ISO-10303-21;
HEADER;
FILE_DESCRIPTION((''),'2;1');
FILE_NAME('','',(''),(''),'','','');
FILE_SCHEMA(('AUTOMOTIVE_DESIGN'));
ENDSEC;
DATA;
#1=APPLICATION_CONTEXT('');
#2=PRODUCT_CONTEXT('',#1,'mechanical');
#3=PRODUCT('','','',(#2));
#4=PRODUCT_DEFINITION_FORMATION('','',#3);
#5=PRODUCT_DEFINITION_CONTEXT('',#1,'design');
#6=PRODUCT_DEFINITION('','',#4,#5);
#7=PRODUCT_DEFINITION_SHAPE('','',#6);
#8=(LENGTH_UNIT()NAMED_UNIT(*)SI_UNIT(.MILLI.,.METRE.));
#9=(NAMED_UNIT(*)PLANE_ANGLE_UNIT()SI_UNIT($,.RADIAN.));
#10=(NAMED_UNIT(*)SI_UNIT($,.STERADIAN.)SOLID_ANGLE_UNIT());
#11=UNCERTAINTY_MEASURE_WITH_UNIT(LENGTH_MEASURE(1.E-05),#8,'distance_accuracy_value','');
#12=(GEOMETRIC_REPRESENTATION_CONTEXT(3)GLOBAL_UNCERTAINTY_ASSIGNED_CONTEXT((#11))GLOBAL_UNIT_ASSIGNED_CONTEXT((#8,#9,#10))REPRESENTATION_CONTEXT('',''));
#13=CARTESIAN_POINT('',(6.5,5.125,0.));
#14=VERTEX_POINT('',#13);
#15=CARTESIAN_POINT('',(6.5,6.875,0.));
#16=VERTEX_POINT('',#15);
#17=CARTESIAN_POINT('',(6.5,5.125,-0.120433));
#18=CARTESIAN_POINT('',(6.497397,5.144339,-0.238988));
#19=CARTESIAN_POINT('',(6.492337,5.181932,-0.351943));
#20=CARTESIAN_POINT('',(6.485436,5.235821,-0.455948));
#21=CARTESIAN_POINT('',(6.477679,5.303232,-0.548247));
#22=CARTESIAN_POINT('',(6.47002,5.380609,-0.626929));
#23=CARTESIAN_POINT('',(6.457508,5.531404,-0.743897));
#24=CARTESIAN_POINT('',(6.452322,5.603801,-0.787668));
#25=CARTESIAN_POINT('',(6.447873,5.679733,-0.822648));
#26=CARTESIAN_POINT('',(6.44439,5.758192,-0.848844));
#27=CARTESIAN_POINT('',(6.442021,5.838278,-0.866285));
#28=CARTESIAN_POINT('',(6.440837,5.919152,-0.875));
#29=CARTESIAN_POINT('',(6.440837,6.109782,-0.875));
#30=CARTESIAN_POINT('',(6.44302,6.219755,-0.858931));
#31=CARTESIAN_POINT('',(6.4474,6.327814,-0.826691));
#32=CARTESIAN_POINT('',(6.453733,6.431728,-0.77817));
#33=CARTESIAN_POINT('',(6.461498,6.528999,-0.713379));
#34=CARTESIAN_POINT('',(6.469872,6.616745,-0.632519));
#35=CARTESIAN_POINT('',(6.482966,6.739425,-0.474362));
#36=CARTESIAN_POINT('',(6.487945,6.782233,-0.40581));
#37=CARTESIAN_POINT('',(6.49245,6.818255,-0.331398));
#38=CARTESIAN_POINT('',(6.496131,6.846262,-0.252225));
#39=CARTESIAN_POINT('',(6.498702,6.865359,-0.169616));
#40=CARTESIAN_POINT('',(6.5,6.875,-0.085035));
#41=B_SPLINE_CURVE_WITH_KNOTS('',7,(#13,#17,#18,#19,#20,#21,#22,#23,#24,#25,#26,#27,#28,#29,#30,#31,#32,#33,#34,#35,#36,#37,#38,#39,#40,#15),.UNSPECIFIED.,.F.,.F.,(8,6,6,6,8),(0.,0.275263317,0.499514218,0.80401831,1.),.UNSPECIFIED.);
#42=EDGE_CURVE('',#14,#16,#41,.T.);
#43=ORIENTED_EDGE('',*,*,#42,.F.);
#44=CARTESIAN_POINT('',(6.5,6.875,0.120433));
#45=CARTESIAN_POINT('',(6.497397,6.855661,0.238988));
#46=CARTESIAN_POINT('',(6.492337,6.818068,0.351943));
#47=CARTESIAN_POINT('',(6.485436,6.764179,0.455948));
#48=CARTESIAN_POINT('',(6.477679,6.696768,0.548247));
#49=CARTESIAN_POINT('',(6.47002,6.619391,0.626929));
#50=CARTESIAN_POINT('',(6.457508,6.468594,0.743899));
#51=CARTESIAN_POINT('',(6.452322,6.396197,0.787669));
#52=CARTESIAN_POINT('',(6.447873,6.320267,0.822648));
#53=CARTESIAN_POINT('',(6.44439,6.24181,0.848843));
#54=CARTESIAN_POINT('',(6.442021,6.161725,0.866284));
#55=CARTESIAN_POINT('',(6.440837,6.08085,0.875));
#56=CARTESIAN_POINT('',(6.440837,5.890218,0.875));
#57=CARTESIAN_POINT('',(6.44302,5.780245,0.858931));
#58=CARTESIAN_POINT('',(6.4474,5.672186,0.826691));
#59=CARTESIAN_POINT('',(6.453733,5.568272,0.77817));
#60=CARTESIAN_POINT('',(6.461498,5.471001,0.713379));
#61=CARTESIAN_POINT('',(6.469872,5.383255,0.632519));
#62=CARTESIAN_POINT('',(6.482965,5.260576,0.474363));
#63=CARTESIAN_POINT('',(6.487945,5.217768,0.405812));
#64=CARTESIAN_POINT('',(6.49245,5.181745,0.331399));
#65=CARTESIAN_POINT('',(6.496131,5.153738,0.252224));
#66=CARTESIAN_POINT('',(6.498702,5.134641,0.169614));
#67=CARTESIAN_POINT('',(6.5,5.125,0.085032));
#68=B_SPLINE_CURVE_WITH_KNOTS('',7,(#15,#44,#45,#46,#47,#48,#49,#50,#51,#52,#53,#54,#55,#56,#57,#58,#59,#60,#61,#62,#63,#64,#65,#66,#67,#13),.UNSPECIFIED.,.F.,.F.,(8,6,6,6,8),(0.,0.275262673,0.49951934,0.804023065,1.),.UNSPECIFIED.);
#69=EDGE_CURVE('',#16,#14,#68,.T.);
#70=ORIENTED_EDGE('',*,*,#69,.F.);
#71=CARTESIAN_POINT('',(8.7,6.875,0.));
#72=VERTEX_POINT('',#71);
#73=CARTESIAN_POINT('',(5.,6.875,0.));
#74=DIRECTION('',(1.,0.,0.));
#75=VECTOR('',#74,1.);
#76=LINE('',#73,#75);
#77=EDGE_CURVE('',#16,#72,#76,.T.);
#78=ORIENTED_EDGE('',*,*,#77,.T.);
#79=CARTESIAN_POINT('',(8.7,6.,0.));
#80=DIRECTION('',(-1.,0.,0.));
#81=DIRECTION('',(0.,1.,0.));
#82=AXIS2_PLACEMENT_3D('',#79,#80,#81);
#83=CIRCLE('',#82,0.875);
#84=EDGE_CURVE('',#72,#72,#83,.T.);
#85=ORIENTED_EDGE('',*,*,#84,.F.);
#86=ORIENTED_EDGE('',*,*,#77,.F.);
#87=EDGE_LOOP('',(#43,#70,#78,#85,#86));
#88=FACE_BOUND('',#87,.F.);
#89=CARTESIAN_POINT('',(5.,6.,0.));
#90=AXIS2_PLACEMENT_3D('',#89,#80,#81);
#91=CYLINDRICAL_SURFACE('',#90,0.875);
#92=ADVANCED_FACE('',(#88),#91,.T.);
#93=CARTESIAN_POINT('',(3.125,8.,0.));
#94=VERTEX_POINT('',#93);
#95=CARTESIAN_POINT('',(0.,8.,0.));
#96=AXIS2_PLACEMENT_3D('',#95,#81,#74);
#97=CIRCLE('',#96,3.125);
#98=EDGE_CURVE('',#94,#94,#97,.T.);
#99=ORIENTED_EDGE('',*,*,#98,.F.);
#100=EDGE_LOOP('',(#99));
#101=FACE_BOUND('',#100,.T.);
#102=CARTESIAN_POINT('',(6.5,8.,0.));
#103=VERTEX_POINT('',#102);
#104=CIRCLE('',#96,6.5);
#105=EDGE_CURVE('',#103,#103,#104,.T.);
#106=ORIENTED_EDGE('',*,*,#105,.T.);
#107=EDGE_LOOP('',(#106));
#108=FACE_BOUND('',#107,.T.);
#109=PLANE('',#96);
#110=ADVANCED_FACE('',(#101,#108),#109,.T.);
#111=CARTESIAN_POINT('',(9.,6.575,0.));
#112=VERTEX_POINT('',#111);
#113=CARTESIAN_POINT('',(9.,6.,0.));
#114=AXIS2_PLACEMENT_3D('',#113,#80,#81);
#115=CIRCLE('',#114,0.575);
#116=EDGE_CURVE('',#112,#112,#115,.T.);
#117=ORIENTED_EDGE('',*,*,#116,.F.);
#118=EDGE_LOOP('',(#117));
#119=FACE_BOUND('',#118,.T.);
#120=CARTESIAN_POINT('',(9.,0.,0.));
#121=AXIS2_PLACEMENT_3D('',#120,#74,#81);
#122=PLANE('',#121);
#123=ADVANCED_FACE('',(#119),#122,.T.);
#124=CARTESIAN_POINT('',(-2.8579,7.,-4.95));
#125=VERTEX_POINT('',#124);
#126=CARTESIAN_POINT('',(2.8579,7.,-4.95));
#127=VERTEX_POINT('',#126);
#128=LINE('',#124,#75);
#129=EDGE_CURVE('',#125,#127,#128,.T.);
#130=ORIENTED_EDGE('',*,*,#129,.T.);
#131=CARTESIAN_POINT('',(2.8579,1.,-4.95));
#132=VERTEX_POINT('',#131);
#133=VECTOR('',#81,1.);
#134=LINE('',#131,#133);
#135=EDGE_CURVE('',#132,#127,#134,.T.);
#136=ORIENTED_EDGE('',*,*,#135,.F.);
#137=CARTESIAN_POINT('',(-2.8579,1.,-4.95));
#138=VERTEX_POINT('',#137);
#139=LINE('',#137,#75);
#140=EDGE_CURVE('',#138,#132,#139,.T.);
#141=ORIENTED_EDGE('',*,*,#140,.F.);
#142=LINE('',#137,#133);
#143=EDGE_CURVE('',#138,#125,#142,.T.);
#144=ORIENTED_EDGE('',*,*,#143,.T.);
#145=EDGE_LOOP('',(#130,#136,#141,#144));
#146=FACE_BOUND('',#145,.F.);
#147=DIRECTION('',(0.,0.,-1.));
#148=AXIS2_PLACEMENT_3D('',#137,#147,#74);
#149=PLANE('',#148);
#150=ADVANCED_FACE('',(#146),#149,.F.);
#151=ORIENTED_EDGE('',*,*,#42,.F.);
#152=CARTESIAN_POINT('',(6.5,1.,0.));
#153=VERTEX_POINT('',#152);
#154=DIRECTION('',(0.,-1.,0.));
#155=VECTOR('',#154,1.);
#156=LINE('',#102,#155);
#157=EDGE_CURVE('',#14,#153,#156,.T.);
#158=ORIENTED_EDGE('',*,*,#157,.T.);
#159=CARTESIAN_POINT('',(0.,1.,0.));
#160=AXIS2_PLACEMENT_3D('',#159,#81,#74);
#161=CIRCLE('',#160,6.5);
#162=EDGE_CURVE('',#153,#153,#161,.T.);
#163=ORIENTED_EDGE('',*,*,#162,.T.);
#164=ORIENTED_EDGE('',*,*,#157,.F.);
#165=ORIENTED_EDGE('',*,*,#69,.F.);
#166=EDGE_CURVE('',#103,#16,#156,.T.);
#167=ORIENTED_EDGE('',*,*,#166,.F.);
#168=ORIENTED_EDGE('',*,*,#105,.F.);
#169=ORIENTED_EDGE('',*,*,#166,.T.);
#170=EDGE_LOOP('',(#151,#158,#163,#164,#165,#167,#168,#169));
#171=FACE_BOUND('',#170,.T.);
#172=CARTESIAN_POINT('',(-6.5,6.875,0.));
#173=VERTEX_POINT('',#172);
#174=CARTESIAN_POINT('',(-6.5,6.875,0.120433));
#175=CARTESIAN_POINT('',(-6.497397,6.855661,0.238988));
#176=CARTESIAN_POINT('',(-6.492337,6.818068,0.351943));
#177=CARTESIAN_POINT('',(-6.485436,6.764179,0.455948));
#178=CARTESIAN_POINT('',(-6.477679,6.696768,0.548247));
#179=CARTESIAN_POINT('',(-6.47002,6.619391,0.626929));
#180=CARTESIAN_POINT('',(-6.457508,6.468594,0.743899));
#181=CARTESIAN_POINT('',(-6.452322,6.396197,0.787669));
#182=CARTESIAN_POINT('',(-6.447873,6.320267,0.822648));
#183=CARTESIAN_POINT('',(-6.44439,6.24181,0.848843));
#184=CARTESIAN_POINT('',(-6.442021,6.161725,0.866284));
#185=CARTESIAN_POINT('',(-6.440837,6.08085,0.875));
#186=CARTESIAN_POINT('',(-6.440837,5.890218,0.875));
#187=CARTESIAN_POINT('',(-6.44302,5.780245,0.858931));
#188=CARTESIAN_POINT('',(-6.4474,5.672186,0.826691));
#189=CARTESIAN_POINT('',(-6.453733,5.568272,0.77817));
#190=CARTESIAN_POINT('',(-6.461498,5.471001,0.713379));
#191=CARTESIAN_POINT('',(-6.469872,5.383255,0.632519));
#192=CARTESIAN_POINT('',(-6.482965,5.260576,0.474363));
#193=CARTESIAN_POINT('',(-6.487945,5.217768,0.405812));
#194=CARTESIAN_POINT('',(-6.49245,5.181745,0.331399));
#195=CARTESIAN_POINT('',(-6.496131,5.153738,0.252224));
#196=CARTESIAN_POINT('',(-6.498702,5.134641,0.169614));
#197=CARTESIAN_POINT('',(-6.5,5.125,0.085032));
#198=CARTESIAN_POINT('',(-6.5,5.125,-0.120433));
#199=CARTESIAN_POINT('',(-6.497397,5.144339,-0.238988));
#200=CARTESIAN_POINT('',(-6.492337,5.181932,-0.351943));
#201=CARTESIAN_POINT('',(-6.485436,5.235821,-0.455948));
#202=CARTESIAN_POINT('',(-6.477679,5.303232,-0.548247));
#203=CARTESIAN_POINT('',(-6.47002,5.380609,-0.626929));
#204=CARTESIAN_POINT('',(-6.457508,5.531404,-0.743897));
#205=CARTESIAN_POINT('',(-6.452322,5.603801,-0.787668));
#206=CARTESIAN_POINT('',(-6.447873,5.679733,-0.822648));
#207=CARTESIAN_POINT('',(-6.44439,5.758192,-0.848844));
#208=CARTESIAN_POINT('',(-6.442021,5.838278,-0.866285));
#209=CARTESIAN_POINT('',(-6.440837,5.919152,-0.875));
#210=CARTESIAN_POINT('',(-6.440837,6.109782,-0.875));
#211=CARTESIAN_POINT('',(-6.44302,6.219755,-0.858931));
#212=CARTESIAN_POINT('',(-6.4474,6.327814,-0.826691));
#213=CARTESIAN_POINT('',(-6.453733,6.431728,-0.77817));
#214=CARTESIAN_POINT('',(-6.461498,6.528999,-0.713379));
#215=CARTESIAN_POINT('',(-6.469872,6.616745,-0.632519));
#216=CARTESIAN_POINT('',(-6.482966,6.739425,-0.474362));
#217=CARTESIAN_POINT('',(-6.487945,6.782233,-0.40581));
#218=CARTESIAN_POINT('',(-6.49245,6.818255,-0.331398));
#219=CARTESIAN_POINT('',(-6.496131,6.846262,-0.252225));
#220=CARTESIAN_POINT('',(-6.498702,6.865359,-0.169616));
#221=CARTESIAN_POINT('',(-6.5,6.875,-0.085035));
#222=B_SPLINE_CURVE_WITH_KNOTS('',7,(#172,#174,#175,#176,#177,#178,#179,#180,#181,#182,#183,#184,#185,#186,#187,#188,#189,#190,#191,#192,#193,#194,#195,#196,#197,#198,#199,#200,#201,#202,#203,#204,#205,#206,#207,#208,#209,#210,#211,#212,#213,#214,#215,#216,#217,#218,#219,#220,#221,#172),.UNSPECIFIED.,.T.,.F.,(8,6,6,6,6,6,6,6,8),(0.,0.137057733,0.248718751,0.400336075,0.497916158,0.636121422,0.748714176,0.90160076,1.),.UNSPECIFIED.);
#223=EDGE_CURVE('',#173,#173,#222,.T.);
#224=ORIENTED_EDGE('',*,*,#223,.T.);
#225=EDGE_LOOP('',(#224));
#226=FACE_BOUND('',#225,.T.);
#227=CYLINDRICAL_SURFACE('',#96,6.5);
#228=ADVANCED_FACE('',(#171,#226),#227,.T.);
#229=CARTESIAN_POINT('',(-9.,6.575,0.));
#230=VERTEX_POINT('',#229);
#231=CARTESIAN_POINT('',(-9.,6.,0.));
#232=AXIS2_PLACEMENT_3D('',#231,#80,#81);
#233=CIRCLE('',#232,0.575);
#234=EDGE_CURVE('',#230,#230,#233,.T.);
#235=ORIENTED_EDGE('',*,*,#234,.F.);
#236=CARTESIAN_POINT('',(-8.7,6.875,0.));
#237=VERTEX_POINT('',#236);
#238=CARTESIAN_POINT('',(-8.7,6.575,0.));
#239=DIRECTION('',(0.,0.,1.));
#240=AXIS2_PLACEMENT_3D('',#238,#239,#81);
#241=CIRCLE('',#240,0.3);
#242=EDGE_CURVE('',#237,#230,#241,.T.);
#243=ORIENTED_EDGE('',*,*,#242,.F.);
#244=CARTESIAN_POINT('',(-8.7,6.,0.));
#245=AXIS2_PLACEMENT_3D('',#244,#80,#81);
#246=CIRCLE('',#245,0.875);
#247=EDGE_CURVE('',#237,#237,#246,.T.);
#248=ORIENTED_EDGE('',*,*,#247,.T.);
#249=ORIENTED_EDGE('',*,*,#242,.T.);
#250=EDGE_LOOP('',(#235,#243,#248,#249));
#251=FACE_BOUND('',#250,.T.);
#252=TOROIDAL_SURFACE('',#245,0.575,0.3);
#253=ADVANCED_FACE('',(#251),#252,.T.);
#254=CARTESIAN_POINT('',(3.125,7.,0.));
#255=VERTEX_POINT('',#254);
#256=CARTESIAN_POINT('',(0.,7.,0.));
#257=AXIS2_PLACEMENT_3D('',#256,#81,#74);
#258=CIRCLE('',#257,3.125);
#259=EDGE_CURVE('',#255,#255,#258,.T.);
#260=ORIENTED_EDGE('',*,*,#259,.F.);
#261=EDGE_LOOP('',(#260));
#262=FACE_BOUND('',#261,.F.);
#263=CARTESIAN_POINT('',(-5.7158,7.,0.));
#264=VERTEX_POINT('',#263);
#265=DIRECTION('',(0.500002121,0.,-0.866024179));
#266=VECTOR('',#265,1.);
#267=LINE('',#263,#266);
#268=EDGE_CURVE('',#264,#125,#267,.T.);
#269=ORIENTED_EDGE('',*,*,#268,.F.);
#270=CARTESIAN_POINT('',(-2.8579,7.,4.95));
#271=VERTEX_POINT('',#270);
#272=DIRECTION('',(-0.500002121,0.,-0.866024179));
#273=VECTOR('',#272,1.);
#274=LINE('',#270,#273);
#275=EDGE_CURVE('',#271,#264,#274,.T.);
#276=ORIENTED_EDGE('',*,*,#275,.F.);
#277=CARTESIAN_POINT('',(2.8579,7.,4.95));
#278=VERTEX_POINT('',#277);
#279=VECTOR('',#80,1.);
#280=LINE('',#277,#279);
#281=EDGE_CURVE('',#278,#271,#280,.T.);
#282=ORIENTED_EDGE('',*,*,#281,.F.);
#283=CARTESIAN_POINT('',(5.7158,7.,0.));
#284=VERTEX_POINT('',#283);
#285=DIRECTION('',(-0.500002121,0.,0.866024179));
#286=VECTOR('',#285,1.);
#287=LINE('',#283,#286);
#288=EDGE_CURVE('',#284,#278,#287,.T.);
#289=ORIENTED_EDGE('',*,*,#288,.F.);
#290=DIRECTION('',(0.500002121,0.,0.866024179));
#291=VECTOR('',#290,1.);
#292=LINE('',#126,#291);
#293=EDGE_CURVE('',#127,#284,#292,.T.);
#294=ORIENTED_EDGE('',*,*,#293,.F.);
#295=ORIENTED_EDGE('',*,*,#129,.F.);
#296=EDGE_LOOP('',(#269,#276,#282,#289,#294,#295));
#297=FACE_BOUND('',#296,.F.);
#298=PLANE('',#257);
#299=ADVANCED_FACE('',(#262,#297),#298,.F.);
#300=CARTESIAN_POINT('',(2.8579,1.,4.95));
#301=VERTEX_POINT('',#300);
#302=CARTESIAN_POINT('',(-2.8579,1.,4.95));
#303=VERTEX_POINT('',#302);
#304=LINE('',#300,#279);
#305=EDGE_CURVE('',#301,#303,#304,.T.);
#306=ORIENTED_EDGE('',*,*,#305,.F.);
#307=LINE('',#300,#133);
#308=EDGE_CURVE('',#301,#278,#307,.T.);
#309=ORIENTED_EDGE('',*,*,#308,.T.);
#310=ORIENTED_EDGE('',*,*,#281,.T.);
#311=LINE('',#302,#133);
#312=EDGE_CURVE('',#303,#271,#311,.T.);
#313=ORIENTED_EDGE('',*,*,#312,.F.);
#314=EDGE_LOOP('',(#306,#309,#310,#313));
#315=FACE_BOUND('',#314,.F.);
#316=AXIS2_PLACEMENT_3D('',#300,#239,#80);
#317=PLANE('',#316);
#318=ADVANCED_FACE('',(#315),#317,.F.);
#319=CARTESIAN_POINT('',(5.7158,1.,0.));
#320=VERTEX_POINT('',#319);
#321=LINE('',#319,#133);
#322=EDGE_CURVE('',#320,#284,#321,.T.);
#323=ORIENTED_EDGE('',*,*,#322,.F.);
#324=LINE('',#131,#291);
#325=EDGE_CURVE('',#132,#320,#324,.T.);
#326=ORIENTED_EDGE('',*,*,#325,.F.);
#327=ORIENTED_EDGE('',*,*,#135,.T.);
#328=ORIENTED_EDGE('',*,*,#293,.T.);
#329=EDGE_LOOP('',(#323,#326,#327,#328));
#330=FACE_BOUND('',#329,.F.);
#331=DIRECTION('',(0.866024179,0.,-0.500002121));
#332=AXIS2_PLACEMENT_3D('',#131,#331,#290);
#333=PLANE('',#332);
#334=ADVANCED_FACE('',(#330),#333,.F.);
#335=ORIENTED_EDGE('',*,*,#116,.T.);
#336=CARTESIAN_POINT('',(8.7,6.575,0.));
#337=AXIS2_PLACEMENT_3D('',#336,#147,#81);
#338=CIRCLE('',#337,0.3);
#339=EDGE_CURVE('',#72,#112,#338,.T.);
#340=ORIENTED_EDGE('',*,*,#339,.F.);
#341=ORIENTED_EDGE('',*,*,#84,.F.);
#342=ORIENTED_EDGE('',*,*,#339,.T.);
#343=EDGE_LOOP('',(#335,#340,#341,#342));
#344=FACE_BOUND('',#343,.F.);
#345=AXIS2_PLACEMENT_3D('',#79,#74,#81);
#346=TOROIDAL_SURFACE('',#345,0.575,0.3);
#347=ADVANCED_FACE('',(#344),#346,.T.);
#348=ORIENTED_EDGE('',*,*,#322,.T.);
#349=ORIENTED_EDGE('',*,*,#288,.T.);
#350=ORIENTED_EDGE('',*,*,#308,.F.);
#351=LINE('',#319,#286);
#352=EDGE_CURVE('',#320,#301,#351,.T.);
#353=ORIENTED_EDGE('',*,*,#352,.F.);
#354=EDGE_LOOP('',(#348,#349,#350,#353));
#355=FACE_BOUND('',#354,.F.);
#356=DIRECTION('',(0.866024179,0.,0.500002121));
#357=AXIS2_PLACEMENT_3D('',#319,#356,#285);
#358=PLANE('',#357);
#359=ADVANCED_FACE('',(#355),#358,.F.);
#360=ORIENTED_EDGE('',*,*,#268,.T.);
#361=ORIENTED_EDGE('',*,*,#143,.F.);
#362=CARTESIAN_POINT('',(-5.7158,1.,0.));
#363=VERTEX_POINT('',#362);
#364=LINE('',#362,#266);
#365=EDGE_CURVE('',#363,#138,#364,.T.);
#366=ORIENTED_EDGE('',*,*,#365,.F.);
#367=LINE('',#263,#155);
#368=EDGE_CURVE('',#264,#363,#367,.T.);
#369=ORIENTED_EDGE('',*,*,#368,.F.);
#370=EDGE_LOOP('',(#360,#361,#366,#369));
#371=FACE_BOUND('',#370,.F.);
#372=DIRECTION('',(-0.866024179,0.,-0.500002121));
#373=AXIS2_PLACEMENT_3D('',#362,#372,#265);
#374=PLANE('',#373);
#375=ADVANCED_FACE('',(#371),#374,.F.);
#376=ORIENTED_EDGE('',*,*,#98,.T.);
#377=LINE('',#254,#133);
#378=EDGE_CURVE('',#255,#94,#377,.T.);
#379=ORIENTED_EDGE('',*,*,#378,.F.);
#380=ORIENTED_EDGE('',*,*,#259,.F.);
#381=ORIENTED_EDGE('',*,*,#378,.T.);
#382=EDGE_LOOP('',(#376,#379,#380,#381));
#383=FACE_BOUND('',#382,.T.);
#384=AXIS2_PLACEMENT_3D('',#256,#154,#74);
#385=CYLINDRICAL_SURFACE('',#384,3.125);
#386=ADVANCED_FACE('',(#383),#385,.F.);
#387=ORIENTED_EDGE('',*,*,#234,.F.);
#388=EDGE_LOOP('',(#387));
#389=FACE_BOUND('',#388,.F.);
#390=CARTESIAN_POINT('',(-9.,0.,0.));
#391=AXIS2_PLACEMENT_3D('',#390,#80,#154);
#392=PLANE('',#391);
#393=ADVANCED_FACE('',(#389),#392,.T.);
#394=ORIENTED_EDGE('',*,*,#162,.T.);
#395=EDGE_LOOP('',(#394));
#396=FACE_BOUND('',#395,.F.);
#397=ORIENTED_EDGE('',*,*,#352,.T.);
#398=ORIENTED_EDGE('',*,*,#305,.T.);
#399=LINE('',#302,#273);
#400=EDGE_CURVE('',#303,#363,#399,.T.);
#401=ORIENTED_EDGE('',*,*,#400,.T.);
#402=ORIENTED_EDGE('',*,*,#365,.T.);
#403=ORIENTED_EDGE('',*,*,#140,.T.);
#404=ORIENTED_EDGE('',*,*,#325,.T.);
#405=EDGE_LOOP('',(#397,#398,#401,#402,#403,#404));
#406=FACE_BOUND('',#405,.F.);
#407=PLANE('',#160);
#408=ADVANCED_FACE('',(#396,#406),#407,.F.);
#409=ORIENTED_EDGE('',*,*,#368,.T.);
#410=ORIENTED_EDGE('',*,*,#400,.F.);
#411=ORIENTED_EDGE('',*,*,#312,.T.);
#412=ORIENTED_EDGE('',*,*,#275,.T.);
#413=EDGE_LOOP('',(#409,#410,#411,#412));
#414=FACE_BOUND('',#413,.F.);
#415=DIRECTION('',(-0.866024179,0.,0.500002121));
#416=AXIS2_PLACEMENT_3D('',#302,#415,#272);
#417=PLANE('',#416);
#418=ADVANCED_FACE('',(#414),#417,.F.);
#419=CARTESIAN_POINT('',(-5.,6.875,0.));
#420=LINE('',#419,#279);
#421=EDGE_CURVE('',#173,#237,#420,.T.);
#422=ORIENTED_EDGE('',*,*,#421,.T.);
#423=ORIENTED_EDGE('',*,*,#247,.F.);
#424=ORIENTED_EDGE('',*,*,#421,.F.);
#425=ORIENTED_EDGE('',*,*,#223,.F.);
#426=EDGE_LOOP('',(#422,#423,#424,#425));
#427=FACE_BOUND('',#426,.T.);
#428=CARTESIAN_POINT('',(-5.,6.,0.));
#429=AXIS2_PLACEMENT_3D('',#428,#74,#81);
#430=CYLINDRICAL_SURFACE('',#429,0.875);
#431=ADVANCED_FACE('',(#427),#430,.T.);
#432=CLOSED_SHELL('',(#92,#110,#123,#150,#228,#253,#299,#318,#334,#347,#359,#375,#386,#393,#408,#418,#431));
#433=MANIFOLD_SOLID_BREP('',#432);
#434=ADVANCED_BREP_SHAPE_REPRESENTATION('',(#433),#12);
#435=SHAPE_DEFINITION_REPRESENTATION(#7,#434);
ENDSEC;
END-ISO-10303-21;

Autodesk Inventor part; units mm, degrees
ref_plane "XZ Plane" through (0, 0, 0) normal (0, 1, 0) x (-1, 0, 0)
ref_plane "XY Plane" through (0, 0, 0) normal (0, 0, 1) x (1, 0, 0)
sketch "Sketch1" plane through (0, 0, 0) normal (0, 1, 0) x (-1, 0, 0)
  circle A0 centre (0, 0) radius 9.625
  circle A1 centre (0, 0) radius 7.7
  dimension "d0" = 19.25
  dimension "d1" = 15.4
extrude "Extrusion1" add sketch "Sketch1" along normal blind 1
sketch "Sketch2" plane through (0, 1, 0) normal (0, 1, 0) x (1, 0, 0)
  circle A0 centre (0, 0) radius 9.6436
  line L0 (-2.8579, 4.95) -> (2.8579, 4.95)
  line L1 (2.8579, 4.95) -> (5.7158, 0)
  line L2 (5.7158, 0) -> (2.8579, -4.95)
  line L3 (2.8579, -4.95) -> (-2.8579, -4.95)
  line L4 (-2.8579, -4.95) -> (-5.7158, 0)
  line L5 (-5.7158, 0) -> (-2.8579, 4.95)
  line L6 (0, 0) -> (0, -3.104)
  line L7 (0, 0) -> (3.104, 0) construction
  dimension "d4" = 9.9
  dimension "d5" = 90
extrude "Extrusion2" add sketch "Sketch2" along normal blind 6
sketch "Sketch3" plane through (0, 7, 0) normal (0, 1, 0) x (1, 0, 0)
  circle A0 centre (0, 0) radius 9.6436
  circle A1 centre (0, 0) radius 3.125
  circle A2 centre (0, 0) radius 9.6436 projected
  dimension "d8" = 6.25
  dimension "d9" = 0
extrude "Extrusion3" add sketch "Sketch3" along normal blind 1
fillet "Fillet1" radius 0.2 2 edges at (9.625, 0, 0) (7.7, 0, 0)
sketch "Sketch4" plane through (0, 8, 0) normal (0, 1, 0) x (1, 0, 0)
  circle A0 centre (0, 0) radius 6.5
  circle A1 centre (0, 0) radius 9.6436 projected
  point P0 (5.2807, -5.1416)
  dimension "d15" = 13
extrude "Extrusion4" cut sketch "Sketch4" against normal through all
ref_plane "Work Plane1" through (5, 0, 0) normal (1, 0, 0) x (0, 1, 0)
sketch "Sketch5" plane through (5, 0, 0) normal (1, 0, 0) x (0, 1, 0)
  line L0 (1, 0) -> (1, 4.95) projected
  line L1 (8, 3.125) -> (8, -3.125) projected
  line L2 (7, 1.8138) -> (7, -3.5903)
  line L3 (6, 2.0921) -> (6, -3.5903)
  circle A0 centre (6, 0) radius 0.875
  point P0 (0, 0)
  dimension "d19" = 7
  dimension "d20" = 1
  dimension "d21" = 1
  dimension "d22" = 1.75
extrude "Extrusion5" add sketch "Sketch5" along normal blind 4
fillet "Fillet2" radius 0.3 1 edges at (9, 5.125, 0)
mirror "Mirror1" about plane through (0, 0, 0) normal (1, 0, 0) of "Extrusion5", "Fillet2"
sketch "Sketch6" plane through (0, 7, 0) normal (0, -1, 0) x (1, 0, 0)
  circle A0 centre (0, 0) radius 3.125 projected
  line L0 (-5.7158, 0) -> (-2.8579, -4.95) projected
  line L1 (-2.8579, -4.95) -> (2.8579, -4.95) projected
  line L2 (2.8579, -4.95) -> (5.7158, 0) projected
  line L3 (5.7158, 0) -> (2.8579, 4.95) projected
  line L4 (2.8579, 4.95) -> (-2.8579, 4.95) projected
  line L5 (-2.8579, 4.95) -> (-5.7158, 0) projected
extrude "Extrusion6" cut sketch "Sketch6" along normal through all
properties part number "NutRetainer"
